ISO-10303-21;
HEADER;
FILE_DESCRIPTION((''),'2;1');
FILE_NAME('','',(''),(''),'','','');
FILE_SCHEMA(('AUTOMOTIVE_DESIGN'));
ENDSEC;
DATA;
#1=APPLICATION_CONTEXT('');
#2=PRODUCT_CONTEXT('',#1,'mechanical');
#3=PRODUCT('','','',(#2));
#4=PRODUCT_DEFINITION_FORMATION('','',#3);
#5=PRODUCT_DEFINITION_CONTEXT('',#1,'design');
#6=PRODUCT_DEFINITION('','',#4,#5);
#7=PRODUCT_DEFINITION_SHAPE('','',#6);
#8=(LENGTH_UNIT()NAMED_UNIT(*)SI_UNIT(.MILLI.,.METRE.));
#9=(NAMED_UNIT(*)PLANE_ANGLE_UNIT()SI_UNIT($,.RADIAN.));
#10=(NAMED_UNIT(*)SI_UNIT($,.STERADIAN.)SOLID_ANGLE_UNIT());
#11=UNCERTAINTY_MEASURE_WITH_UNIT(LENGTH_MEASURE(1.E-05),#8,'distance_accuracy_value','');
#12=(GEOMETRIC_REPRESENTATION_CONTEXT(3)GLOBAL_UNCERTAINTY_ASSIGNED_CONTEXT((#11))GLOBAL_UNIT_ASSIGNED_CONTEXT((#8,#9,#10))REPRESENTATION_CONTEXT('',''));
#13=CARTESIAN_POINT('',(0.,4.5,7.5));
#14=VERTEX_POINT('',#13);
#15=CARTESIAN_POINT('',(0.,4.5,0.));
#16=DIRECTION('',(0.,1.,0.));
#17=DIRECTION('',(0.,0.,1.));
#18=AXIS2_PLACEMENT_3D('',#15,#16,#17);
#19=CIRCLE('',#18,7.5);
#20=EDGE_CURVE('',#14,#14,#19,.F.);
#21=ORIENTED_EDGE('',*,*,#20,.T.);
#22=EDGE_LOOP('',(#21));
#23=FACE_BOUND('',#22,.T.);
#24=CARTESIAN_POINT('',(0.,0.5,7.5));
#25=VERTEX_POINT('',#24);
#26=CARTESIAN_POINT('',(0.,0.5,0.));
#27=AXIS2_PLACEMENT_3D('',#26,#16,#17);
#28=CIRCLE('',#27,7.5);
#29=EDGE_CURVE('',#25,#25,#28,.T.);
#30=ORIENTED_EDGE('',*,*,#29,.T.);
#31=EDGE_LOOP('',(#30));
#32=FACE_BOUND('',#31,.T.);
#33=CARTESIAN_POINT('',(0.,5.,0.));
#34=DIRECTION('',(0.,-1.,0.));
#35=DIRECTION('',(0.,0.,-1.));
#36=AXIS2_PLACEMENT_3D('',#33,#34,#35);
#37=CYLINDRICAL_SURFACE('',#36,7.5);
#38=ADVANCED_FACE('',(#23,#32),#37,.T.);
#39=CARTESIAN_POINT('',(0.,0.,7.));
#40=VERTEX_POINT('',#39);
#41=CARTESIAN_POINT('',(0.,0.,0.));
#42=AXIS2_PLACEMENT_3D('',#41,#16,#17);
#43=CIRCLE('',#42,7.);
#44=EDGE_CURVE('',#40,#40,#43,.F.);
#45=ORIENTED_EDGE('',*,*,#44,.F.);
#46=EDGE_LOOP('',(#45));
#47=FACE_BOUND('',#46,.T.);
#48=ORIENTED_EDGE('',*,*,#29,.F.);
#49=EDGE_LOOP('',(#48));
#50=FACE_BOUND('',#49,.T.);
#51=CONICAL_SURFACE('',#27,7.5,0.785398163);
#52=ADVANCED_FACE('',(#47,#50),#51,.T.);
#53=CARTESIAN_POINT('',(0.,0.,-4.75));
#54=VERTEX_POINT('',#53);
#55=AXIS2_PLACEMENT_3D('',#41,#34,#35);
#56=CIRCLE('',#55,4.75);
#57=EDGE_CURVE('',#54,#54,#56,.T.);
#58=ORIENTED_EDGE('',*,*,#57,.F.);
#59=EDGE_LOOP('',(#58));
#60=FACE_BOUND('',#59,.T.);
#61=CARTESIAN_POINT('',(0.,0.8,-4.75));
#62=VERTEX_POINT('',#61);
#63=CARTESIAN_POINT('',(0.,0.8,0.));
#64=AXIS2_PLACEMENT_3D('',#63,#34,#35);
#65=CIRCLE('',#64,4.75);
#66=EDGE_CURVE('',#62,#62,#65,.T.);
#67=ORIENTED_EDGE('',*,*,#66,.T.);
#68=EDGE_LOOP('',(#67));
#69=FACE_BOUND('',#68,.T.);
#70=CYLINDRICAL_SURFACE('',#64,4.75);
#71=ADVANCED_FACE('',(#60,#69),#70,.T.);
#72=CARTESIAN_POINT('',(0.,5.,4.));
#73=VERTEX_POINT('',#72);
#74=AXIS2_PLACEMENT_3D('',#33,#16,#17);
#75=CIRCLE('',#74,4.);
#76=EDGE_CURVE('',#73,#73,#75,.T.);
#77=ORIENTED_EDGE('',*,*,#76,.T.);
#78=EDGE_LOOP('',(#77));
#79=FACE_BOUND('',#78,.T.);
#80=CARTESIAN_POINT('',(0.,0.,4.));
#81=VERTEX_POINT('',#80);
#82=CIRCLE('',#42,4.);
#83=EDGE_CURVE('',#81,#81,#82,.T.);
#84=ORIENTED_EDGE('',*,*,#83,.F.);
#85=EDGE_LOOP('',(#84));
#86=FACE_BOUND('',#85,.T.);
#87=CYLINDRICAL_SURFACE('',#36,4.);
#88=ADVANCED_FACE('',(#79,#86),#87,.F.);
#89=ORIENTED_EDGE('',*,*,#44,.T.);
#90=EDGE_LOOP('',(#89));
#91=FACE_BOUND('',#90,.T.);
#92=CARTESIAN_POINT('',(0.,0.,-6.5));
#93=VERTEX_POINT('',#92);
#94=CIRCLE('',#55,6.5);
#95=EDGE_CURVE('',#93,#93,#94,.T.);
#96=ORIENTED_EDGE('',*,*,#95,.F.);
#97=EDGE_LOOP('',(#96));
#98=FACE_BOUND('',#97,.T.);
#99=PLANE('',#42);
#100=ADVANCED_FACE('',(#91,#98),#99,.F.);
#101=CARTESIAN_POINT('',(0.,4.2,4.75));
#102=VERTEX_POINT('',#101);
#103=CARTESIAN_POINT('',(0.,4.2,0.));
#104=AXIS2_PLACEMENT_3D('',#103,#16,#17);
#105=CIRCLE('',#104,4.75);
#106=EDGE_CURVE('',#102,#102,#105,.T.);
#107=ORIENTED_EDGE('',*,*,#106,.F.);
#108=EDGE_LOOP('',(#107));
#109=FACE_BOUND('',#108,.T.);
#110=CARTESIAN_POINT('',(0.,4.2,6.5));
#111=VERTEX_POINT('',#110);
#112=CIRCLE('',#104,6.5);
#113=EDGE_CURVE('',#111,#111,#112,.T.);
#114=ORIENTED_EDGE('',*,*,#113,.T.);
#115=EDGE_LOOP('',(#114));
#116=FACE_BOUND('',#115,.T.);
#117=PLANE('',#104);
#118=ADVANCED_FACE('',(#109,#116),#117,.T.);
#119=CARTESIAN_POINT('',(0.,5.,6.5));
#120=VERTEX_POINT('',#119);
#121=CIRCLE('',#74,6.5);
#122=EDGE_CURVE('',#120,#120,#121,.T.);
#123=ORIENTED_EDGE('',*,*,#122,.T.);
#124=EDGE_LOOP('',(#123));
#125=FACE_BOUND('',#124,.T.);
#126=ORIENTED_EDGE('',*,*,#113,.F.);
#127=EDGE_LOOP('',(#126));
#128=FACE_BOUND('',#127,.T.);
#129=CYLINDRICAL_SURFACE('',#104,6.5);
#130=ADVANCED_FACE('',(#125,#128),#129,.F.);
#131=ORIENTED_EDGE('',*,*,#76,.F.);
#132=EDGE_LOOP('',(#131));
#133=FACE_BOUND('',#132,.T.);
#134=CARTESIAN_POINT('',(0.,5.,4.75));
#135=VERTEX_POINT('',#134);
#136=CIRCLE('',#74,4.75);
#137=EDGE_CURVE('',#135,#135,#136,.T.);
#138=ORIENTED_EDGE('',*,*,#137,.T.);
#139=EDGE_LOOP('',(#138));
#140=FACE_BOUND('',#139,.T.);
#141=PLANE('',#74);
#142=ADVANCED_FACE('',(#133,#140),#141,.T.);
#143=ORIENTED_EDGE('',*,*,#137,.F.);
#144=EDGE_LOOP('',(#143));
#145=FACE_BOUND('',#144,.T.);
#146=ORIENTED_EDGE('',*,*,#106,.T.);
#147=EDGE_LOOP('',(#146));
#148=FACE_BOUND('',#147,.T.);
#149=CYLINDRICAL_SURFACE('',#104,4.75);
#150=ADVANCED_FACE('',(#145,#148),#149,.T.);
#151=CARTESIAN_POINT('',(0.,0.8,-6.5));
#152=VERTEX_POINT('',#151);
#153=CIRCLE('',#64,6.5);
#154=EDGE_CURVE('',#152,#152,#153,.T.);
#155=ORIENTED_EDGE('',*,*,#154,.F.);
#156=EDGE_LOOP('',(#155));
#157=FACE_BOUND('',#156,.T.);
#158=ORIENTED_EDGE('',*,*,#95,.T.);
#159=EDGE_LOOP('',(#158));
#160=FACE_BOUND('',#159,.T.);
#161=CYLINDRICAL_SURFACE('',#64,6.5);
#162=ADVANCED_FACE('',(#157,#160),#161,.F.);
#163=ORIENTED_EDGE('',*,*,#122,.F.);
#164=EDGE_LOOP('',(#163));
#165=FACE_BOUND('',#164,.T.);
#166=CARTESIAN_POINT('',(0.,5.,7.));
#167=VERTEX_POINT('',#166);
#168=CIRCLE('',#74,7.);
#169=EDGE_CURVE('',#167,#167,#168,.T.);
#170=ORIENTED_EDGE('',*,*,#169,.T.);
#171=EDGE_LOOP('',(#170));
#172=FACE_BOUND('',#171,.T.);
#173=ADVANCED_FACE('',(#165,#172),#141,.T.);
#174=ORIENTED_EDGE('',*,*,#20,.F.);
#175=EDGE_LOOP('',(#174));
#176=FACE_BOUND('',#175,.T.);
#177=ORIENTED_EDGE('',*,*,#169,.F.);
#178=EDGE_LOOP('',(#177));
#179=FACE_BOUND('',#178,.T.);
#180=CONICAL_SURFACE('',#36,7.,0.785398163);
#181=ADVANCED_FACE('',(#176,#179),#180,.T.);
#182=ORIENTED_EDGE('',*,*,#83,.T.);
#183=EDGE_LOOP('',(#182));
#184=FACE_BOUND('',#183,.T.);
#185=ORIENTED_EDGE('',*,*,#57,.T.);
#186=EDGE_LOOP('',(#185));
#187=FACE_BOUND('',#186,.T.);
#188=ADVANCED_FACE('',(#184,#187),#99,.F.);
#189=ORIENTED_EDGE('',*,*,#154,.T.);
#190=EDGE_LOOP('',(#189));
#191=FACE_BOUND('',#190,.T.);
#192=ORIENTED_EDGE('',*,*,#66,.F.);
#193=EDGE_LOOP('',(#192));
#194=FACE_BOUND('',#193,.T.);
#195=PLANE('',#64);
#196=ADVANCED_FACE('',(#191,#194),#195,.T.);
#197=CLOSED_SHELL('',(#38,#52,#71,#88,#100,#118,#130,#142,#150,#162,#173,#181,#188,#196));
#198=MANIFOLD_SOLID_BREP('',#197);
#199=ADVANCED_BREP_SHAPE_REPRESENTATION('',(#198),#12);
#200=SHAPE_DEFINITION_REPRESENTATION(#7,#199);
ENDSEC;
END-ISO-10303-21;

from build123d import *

# Parameters (mm, degrees)
SKETCH_1_R          = 7.5
SKETCH_1_R_2        = 4
EXTRUDE_1_DEPTH     = 5
CHAMFER_1_SIZE      = 0.5
CHAMFER_2_SIZE      = 0.5
SKETCH_2_R          = 6.5
SKETCH_2_R_2        = 4.75
CUT_EXTRUDE_1_DEPTH = 0.8
CUT_EXTRUDE_START   = -0.8
SKETCH_3_R          = 6.5
SKETCH_3_R_2        = 4.75
CUT_EXTRUDE_2_DEPTH = 0.8


with BuildPart() as part:
    # 草图1 → 凸台-拉伸1 (new body)
    with BuildSketch(Plane(origin=(0, 0, 0), x_dir=(1, 0, 0), z_dir=(0, 1, 0))):
        with Locations(Location((0, 0, 0), (0, 0, 270))):
            Circle(SKETCH_1_R)
        with Locations(Location((0, 0, 0), (0, 0, 270))):
            Circle(SKETCH_1_R_2, mode=Mode.SUBTRACT)
    extrude(amount=EXTRUDE_1_DEPTH)

    # 倒角1
    chamfer_1_edges = [part.edges().sort_by_distance(p)[0] for p in [
        (0, 5, -7.5),
    ]]
    chamfer(chamfer_1_edges, length=CHAMFER_1_SIZE)

    # 倒角2
    chamfer_2_edges = [part.edges().sort_by_distance(p)[0] for p in [
        (0, 0, -7.5),
    ]]
    chamfer(chamfer_2_edges, length=CHAMFER_2_SIZE)

    # 草图2 → 切除-拉伸1 (cut)
    with BuildSketch(Plane(origin=(0, 5, 0), x_dir=(1, 0, 0), z_dir=(0, 1, 0))):
        with Locations(Location((0, 0, 0), (0, 0, 270))):
            Circle(SKETCH_2_R)
        with Locations(Location((0, 0, 0), (0, 0, 270))):
            Circle(SKETCH_2_R_2, mode=Mode.SUBTRACT)
    extrude(amount=-CUT_EXTRUDE_1_DEPTH, mode=Mode.SUBTRACT)

    # 草图3 → 切除-拉伸2 (cut)
    with BuildSketch(Plane.XZ.offset(CUT_EXTRUDE_START)):
        with Locations(Location((0, 0, 0), (0, 0, 90))):
            Circle(SKETCH_3_R)
        with Locations(Location((0, 0, 0), (0, 0, 90))):
            Circle(SKETCH_3_R_2, mode=Mode.SUBTRACT)
    extrude(amount=CUT_EXTRUDE_2_DEPTH, mode=Mode.SUBTRACT)


solid = part.part
